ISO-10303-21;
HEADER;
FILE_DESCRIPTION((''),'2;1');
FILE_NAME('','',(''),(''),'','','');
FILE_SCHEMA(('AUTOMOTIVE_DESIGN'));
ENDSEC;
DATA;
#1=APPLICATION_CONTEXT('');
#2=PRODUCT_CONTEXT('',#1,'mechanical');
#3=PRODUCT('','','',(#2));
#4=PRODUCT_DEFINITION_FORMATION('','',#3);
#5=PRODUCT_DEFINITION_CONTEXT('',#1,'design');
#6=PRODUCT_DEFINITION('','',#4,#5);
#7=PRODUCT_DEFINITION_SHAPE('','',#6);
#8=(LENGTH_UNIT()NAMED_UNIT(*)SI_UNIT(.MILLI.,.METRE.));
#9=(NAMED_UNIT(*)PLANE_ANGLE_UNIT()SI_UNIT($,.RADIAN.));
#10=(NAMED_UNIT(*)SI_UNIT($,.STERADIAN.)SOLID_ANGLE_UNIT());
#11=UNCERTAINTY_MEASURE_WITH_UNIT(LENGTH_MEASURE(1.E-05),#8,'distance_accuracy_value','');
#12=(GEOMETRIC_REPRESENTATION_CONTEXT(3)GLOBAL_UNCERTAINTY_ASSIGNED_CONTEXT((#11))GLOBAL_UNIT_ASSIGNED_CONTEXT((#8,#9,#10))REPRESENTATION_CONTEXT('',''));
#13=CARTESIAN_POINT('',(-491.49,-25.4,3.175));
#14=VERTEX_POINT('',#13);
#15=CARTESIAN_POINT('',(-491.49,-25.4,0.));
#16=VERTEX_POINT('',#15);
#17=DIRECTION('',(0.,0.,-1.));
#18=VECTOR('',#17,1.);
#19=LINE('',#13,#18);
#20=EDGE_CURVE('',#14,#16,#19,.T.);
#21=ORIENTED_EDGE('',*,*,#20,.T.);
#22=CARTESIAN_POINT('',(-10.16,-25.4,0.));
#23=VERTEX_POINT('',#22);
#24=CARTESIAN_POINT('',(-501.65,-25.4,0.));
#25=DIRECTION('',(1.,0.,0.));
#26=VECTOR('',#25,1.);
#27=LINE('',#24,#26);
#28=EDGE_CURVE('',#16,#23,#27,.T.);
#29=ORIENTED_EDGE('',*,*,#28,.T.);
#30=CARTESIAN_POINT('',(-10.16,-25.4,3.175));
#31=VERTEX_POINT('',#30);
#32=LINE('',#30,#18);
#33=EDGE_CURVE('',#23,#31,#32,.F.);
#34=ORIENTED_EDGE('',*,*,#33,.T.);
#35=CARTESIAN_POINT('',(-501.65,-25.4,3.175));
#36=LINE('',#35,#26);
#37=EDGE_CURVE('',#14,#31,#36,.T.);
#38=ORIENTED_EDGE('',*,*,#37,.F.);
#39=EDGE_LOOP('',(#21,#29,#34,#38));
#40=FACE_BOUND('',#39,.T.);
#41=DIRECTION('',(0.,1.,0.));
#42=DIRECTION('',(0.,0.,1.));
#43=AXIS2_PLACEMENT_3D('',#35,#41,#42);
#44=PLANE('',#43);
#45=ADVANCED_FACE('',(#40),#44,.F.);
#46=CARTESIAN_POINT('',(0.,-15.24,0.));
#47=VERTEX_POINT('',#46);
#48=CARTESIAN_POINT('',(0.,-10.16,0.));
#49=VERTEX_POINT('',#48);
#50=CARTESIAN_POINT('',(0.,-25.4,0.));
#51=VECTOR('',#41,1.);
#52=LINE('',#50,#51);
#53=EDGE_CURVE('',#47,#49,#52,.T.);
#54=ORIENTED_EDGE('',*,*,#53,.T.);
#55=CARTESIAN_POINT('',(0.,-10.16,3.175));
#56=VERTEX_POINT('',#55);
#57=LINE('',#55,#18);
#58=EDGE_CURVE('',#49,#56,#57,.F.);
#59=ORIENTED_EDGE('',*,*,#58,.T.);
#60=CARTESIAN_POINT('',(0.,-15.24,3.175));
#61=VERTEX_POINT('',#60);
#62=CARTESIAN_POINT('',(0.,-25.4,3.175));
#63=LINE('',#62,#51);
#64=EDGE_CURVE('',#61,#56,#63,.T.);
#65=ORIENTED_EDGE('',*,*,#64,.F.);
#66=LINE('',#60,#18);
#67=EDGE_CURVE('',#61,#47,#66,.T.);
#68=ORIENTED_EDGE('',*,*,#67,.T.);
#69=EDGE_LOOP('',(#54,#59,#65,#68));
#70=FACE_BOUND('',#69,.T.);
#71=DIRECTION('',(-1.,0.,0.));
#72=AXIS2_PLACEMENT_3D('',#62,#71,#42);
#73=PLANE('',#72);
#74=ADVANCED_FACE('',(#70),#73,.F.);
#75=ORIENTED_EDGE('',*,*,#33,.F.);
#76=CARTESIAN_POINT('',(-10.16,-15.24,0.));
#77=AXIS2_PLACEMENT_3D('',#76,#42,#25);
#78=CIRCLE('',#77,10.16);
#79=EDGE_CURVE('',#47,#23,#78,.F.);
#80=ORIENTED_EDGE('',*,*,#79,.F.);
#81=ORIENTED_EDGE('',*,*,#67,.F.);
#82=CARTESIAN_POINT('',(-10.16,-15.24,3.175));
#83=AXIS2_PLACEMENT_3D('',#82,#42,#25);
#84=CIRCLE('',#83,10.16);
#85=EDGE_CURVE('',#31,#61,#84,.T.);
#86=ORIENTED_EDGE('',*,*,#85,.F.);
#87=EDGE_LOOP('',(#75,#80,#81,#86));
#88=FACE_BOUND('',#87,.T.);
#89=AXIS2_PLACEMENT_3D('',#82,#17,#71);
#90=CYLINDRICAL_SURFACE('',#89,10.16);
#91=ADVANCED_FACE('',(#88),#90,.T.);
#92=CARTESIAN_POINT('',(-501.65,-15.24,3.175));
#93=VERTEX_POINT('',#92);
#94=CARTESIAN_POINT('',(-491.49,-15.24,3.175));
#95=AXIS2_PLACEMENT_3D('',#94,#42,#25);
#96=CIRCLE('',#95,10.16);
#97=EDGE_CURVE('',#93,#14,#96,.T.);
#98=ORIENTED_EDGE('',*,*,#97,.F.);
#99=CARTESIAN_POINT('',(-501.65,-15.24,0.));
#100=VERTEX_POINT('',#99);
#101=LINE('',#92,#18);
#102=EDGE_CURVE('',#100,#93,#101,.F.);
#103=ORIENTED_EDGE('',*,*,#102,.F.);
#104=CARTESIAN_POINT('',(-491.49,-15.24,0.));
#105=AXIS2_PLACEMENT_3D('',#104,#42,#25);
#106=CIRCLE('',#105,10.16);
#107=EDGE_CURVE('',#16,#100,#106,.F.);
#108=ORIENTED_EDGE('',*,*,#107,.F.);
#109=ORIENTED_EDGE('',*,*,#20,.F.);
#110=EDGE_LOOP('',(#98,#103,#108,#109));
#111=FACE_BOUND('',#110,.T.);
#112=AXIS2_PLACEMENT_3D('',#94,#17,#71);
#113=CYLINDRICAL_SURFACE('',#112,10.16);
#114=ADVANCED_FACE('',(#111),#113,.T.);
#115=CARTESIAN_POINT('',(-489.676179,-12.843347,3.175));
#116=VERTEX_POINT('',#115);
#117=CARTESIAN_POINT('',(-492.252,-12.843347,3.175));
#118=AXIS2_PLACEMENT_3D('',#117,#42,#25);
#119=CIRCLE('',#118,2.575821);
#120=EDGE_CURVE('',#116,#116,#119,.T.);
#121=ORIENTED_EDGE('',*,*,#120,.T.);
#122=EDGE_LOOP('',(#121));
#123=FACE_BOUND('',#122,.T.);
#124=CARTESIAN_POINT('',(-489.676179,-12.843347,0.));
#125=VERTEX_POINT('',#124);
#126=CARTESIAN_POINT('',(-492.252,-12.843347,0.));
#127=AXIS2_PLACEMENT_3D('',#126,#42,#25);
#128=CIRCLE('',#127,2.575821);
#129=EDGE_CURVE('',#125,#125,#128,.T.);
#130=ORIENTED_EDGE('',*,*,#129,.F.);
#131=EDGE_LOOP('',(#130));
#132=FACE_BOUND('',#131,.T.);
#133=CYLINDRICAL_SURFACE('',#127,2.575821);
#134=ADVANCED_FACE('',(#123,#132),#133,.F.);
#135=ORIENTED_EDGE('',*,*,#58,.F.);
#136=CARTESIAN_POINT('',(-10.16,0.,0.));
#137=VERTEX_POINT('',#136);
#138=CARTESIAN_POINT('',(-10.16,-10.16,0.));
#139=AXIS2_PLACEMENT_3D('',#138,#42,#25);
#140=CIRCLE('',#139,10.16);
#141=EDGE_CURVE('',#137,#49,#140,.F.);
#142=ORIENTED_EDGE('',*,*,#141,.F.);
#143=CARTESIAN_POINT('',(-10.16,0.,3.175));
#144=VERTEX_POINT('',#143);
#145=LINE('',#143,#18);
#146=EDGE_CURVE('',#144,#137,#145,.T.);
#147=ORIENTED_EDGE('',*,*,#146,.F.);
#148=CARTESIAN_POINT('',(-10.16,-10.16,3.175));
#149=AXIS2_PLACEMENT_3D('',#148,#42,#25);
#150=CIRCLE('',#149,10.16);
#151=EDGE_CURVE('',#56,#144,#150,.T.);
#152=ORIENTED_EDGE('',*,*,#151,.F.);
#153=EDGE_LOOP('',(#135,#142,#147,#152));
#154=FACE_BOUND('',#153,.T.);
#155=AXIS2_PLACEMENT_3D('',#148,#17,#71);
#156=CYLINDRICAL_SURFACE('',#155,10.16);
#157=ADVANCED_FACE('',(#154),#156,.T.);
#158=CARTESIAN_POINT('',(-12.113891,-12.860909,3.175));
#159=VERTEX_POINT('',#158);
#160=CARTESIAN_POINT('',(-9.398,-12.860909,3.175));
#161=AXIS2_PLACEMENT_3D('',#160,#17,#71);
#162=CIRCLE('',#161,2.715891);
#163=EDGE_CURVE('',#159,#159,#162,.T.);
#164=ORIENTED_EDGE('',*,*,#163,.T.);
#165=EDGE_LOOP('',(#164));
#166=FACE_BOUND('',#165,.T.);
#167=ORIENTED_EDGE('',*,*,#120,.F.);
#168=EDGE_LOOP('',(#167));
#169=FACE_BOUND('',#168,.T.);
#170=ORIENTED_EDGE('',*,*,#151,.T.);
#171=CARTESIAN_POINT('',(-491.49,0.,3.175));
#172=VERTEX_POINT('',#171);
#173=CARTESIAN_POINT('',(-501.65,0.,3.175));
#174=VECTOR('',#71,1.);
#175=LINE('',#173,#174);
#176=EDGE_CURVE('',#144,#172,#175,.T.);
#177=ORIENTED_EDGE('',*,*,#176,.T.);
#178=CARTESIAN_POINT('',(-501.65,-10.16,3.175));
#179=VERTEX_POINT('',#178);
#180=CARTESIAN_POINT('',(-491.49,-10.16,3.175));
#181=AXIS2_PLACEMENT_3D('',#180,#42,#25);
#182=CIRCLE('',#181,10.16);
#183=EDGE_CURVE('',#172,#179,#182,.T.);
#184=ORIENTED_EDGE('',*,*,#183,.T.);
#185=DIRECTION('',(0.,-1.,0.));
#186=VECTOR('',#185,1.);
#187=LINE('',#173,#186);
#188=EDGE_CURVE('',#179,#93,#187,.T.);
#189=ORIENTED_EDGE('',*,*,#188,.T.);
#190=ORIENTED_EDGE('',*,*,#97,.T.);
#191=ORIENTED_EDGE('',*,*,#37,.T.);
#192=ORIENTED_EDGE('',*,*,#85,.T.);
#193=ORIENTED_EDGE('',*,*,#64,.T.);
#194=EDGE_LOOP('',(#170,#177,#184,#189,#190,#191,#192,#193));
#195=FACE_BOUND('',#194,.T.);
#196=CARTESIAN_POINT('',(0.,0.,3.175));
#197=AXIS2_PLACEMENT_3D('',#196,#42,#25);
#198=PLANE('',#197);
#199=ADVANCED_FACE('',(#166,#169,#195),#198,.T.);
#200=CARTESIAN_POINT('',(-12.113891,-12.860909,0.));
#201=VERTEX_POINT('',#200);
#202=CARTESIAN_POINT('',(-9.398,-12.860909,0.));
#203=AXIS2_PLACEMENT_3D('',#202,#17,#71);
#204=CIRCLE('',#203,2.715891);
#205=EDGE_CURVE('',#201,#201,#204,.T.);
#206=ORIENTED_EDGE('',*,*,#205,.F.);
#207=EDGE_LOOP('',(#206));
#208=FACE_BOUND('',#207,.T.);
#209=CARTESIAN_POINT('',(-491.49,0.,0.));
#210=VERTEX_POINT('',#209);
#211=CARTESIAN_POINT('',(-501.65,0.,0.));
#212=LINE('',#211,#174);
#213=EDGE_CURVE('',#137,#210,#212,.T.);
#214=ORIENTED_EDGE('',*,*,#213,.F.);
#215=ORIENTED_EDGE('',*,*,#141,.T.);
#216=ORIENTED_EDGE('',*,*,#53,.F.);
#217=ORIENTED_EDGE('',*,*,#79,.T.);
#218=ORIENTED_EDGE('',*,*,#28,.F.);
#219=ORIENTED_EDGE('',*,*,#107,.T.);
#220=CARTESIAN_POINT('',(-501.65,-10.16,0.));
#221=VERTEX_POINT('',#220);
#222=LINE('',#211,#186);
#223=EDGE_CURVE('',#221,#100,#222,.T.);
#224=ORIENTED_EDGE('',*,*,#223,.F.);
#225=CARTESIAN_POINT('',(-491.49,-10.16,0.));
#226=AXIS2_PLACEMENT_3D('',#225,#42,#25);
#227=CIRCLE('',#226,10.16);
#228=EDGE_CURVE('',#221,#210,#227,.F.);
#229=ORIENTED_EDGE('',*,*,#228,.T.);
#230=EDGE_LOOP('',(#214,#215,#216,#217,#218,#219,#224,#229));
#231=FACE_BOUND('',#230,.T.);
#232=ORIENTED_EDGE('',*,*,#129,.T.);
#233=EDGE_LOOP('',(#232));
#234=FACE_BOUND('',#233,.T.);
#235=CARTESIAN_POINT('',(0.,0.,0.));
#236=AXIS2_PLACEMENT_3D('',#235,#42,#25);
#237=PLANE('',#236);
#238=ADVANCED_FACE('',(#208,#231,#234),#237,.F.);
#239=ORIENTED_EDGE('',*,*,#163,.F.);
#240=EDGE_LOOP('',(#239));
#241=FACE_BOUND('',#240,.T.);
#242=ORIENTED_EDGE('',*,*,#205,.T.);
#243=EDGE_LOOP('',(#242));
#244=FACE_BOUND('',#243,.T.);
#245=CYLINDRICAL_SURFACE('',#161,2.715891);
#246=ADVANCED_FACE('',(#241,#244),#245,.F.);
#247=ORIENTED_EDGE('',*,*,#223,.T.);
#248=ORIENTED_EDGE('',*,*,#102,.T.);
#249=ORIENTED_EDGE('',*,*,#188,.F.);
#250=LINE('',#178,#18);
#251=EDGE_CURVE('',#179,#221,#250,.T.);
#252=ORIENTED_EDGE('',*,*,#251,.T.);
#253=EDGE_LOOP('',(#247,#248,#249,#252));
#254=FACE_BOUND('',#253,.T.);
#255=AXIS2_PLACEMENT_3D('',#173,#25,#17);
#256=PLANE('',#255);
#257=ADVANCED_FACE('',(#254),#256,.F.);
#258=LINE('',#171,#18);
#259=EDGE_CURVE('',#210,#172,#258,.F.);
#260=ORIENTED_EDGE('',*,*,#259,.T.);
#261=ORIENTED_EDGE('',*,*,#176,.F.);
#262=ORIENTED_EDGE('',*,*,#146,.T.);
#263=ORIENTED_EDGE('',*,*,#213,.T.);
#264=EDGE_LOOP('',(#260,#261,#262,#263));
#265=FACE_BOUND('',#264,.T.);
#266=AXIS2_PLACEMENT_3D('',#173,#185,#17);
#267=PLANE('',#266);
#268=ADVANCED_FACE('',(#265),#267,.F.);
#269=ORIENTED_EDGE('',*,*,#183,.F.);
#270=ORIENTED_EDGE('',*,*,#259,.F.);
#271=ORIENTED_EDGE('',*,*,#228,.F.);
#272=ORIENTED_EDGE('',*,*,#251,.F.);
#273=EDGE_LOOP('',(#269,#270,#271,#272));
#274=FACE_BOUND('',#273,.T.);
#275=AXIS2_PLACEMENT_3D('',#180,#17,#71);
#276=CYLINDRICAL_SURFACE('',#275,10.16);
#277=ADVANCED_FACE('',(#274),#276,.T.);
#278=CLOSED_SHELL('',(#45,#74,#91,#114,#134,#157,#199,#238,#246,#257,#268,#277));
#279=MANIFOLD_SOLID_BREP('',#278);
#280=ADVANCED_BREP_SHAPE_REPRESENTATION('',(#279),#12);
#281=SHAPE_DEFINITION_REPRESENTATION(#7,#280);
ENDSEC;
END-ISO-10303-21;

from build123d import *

# Parameters (mm, degrees)
SKETCH1_W           = 501.65
SKETCH1_H           = 25.4
BOSS_EXTRUDE1_DEPTH = 3.175
FILLET1_R           = 10.16
FILLET2_R           = 10.16
FILLET3_R           = 10.16
FILLET4_R           = 10.16
SKETCH2_R           = 2.575820617
CUT_EXTRUDE1_DEPTH  = 503.302660878
SKETCH3_R           = 2.715891218
CUT_EXTRUDE2_DEPTH  = 503.302660878


with BuildPart() as part:
    # Sketch1 → Boss-Extrude1 (new body)
    with BuildSketch(Plane.XY):
        with Locations((-250.825, -12.7)):
            Rectangle(SKETCH1_W, SKETCH1_H)
    extrude(amount=BOSS_EXTRUDE1_DEPTH)

    # Fillet1
    fillet1_edges = [part.edges().sort_by_distance(p)[0] for p in [
        (0, 0, 1.5875),
    ]]
    fillet(fillet1_edges, radius=FILLET1_R)

    # Fillet2
    fillet2_edges = [part.edges().sort_by_distance(p)[0] for p in [
        (0, -25.4, 1.5875),
    ]]
    fillet(fillet2_edges, radius=FILLET2_R)

    # Fillet3
    fillet3_edges = [part.edges().sort_by_distance(p)[0] for p in [
        (-501.65, -25.4, 1.5875),
    ]]
    fillet(fillet3_edges, radius=FILLET3_R)

    # Fillet4
    fillet4_edges = [part.edges().sort_by_distance(p)[0] for p in [
        (-501.65, 0, 1.5875),
    ]]
    fillet(fillet4_edges, radius=FILLET4_R)

    # Sketch2 → Cut-Extrude1 (cut, through all)
    with BuildSketch(Plane.XY.offset(3.175)):
        with Locations((-492.252, -12.843347419)):
            Circle(SKETCH2_R)
    extrude(amount=-CUT_EXTRUDE1_DEPTH, mode=Mode.SUBTRACT)

    # Sketch3 → Cut-Extrude2 (cut, through all)
    with BuildSketch(Plane(origin=(0, 0, 0), x_dir=(-1, 0, 0), z_dir=(0, 0, -1))):
        with Locations((9.398, -12.860909178)):
            Circle(SKETCH3_R)
    extrude(amount=-CUT_EXTRUDE2_DEPTH, mode=Mode.SUBTRACT)


solid = part.part
